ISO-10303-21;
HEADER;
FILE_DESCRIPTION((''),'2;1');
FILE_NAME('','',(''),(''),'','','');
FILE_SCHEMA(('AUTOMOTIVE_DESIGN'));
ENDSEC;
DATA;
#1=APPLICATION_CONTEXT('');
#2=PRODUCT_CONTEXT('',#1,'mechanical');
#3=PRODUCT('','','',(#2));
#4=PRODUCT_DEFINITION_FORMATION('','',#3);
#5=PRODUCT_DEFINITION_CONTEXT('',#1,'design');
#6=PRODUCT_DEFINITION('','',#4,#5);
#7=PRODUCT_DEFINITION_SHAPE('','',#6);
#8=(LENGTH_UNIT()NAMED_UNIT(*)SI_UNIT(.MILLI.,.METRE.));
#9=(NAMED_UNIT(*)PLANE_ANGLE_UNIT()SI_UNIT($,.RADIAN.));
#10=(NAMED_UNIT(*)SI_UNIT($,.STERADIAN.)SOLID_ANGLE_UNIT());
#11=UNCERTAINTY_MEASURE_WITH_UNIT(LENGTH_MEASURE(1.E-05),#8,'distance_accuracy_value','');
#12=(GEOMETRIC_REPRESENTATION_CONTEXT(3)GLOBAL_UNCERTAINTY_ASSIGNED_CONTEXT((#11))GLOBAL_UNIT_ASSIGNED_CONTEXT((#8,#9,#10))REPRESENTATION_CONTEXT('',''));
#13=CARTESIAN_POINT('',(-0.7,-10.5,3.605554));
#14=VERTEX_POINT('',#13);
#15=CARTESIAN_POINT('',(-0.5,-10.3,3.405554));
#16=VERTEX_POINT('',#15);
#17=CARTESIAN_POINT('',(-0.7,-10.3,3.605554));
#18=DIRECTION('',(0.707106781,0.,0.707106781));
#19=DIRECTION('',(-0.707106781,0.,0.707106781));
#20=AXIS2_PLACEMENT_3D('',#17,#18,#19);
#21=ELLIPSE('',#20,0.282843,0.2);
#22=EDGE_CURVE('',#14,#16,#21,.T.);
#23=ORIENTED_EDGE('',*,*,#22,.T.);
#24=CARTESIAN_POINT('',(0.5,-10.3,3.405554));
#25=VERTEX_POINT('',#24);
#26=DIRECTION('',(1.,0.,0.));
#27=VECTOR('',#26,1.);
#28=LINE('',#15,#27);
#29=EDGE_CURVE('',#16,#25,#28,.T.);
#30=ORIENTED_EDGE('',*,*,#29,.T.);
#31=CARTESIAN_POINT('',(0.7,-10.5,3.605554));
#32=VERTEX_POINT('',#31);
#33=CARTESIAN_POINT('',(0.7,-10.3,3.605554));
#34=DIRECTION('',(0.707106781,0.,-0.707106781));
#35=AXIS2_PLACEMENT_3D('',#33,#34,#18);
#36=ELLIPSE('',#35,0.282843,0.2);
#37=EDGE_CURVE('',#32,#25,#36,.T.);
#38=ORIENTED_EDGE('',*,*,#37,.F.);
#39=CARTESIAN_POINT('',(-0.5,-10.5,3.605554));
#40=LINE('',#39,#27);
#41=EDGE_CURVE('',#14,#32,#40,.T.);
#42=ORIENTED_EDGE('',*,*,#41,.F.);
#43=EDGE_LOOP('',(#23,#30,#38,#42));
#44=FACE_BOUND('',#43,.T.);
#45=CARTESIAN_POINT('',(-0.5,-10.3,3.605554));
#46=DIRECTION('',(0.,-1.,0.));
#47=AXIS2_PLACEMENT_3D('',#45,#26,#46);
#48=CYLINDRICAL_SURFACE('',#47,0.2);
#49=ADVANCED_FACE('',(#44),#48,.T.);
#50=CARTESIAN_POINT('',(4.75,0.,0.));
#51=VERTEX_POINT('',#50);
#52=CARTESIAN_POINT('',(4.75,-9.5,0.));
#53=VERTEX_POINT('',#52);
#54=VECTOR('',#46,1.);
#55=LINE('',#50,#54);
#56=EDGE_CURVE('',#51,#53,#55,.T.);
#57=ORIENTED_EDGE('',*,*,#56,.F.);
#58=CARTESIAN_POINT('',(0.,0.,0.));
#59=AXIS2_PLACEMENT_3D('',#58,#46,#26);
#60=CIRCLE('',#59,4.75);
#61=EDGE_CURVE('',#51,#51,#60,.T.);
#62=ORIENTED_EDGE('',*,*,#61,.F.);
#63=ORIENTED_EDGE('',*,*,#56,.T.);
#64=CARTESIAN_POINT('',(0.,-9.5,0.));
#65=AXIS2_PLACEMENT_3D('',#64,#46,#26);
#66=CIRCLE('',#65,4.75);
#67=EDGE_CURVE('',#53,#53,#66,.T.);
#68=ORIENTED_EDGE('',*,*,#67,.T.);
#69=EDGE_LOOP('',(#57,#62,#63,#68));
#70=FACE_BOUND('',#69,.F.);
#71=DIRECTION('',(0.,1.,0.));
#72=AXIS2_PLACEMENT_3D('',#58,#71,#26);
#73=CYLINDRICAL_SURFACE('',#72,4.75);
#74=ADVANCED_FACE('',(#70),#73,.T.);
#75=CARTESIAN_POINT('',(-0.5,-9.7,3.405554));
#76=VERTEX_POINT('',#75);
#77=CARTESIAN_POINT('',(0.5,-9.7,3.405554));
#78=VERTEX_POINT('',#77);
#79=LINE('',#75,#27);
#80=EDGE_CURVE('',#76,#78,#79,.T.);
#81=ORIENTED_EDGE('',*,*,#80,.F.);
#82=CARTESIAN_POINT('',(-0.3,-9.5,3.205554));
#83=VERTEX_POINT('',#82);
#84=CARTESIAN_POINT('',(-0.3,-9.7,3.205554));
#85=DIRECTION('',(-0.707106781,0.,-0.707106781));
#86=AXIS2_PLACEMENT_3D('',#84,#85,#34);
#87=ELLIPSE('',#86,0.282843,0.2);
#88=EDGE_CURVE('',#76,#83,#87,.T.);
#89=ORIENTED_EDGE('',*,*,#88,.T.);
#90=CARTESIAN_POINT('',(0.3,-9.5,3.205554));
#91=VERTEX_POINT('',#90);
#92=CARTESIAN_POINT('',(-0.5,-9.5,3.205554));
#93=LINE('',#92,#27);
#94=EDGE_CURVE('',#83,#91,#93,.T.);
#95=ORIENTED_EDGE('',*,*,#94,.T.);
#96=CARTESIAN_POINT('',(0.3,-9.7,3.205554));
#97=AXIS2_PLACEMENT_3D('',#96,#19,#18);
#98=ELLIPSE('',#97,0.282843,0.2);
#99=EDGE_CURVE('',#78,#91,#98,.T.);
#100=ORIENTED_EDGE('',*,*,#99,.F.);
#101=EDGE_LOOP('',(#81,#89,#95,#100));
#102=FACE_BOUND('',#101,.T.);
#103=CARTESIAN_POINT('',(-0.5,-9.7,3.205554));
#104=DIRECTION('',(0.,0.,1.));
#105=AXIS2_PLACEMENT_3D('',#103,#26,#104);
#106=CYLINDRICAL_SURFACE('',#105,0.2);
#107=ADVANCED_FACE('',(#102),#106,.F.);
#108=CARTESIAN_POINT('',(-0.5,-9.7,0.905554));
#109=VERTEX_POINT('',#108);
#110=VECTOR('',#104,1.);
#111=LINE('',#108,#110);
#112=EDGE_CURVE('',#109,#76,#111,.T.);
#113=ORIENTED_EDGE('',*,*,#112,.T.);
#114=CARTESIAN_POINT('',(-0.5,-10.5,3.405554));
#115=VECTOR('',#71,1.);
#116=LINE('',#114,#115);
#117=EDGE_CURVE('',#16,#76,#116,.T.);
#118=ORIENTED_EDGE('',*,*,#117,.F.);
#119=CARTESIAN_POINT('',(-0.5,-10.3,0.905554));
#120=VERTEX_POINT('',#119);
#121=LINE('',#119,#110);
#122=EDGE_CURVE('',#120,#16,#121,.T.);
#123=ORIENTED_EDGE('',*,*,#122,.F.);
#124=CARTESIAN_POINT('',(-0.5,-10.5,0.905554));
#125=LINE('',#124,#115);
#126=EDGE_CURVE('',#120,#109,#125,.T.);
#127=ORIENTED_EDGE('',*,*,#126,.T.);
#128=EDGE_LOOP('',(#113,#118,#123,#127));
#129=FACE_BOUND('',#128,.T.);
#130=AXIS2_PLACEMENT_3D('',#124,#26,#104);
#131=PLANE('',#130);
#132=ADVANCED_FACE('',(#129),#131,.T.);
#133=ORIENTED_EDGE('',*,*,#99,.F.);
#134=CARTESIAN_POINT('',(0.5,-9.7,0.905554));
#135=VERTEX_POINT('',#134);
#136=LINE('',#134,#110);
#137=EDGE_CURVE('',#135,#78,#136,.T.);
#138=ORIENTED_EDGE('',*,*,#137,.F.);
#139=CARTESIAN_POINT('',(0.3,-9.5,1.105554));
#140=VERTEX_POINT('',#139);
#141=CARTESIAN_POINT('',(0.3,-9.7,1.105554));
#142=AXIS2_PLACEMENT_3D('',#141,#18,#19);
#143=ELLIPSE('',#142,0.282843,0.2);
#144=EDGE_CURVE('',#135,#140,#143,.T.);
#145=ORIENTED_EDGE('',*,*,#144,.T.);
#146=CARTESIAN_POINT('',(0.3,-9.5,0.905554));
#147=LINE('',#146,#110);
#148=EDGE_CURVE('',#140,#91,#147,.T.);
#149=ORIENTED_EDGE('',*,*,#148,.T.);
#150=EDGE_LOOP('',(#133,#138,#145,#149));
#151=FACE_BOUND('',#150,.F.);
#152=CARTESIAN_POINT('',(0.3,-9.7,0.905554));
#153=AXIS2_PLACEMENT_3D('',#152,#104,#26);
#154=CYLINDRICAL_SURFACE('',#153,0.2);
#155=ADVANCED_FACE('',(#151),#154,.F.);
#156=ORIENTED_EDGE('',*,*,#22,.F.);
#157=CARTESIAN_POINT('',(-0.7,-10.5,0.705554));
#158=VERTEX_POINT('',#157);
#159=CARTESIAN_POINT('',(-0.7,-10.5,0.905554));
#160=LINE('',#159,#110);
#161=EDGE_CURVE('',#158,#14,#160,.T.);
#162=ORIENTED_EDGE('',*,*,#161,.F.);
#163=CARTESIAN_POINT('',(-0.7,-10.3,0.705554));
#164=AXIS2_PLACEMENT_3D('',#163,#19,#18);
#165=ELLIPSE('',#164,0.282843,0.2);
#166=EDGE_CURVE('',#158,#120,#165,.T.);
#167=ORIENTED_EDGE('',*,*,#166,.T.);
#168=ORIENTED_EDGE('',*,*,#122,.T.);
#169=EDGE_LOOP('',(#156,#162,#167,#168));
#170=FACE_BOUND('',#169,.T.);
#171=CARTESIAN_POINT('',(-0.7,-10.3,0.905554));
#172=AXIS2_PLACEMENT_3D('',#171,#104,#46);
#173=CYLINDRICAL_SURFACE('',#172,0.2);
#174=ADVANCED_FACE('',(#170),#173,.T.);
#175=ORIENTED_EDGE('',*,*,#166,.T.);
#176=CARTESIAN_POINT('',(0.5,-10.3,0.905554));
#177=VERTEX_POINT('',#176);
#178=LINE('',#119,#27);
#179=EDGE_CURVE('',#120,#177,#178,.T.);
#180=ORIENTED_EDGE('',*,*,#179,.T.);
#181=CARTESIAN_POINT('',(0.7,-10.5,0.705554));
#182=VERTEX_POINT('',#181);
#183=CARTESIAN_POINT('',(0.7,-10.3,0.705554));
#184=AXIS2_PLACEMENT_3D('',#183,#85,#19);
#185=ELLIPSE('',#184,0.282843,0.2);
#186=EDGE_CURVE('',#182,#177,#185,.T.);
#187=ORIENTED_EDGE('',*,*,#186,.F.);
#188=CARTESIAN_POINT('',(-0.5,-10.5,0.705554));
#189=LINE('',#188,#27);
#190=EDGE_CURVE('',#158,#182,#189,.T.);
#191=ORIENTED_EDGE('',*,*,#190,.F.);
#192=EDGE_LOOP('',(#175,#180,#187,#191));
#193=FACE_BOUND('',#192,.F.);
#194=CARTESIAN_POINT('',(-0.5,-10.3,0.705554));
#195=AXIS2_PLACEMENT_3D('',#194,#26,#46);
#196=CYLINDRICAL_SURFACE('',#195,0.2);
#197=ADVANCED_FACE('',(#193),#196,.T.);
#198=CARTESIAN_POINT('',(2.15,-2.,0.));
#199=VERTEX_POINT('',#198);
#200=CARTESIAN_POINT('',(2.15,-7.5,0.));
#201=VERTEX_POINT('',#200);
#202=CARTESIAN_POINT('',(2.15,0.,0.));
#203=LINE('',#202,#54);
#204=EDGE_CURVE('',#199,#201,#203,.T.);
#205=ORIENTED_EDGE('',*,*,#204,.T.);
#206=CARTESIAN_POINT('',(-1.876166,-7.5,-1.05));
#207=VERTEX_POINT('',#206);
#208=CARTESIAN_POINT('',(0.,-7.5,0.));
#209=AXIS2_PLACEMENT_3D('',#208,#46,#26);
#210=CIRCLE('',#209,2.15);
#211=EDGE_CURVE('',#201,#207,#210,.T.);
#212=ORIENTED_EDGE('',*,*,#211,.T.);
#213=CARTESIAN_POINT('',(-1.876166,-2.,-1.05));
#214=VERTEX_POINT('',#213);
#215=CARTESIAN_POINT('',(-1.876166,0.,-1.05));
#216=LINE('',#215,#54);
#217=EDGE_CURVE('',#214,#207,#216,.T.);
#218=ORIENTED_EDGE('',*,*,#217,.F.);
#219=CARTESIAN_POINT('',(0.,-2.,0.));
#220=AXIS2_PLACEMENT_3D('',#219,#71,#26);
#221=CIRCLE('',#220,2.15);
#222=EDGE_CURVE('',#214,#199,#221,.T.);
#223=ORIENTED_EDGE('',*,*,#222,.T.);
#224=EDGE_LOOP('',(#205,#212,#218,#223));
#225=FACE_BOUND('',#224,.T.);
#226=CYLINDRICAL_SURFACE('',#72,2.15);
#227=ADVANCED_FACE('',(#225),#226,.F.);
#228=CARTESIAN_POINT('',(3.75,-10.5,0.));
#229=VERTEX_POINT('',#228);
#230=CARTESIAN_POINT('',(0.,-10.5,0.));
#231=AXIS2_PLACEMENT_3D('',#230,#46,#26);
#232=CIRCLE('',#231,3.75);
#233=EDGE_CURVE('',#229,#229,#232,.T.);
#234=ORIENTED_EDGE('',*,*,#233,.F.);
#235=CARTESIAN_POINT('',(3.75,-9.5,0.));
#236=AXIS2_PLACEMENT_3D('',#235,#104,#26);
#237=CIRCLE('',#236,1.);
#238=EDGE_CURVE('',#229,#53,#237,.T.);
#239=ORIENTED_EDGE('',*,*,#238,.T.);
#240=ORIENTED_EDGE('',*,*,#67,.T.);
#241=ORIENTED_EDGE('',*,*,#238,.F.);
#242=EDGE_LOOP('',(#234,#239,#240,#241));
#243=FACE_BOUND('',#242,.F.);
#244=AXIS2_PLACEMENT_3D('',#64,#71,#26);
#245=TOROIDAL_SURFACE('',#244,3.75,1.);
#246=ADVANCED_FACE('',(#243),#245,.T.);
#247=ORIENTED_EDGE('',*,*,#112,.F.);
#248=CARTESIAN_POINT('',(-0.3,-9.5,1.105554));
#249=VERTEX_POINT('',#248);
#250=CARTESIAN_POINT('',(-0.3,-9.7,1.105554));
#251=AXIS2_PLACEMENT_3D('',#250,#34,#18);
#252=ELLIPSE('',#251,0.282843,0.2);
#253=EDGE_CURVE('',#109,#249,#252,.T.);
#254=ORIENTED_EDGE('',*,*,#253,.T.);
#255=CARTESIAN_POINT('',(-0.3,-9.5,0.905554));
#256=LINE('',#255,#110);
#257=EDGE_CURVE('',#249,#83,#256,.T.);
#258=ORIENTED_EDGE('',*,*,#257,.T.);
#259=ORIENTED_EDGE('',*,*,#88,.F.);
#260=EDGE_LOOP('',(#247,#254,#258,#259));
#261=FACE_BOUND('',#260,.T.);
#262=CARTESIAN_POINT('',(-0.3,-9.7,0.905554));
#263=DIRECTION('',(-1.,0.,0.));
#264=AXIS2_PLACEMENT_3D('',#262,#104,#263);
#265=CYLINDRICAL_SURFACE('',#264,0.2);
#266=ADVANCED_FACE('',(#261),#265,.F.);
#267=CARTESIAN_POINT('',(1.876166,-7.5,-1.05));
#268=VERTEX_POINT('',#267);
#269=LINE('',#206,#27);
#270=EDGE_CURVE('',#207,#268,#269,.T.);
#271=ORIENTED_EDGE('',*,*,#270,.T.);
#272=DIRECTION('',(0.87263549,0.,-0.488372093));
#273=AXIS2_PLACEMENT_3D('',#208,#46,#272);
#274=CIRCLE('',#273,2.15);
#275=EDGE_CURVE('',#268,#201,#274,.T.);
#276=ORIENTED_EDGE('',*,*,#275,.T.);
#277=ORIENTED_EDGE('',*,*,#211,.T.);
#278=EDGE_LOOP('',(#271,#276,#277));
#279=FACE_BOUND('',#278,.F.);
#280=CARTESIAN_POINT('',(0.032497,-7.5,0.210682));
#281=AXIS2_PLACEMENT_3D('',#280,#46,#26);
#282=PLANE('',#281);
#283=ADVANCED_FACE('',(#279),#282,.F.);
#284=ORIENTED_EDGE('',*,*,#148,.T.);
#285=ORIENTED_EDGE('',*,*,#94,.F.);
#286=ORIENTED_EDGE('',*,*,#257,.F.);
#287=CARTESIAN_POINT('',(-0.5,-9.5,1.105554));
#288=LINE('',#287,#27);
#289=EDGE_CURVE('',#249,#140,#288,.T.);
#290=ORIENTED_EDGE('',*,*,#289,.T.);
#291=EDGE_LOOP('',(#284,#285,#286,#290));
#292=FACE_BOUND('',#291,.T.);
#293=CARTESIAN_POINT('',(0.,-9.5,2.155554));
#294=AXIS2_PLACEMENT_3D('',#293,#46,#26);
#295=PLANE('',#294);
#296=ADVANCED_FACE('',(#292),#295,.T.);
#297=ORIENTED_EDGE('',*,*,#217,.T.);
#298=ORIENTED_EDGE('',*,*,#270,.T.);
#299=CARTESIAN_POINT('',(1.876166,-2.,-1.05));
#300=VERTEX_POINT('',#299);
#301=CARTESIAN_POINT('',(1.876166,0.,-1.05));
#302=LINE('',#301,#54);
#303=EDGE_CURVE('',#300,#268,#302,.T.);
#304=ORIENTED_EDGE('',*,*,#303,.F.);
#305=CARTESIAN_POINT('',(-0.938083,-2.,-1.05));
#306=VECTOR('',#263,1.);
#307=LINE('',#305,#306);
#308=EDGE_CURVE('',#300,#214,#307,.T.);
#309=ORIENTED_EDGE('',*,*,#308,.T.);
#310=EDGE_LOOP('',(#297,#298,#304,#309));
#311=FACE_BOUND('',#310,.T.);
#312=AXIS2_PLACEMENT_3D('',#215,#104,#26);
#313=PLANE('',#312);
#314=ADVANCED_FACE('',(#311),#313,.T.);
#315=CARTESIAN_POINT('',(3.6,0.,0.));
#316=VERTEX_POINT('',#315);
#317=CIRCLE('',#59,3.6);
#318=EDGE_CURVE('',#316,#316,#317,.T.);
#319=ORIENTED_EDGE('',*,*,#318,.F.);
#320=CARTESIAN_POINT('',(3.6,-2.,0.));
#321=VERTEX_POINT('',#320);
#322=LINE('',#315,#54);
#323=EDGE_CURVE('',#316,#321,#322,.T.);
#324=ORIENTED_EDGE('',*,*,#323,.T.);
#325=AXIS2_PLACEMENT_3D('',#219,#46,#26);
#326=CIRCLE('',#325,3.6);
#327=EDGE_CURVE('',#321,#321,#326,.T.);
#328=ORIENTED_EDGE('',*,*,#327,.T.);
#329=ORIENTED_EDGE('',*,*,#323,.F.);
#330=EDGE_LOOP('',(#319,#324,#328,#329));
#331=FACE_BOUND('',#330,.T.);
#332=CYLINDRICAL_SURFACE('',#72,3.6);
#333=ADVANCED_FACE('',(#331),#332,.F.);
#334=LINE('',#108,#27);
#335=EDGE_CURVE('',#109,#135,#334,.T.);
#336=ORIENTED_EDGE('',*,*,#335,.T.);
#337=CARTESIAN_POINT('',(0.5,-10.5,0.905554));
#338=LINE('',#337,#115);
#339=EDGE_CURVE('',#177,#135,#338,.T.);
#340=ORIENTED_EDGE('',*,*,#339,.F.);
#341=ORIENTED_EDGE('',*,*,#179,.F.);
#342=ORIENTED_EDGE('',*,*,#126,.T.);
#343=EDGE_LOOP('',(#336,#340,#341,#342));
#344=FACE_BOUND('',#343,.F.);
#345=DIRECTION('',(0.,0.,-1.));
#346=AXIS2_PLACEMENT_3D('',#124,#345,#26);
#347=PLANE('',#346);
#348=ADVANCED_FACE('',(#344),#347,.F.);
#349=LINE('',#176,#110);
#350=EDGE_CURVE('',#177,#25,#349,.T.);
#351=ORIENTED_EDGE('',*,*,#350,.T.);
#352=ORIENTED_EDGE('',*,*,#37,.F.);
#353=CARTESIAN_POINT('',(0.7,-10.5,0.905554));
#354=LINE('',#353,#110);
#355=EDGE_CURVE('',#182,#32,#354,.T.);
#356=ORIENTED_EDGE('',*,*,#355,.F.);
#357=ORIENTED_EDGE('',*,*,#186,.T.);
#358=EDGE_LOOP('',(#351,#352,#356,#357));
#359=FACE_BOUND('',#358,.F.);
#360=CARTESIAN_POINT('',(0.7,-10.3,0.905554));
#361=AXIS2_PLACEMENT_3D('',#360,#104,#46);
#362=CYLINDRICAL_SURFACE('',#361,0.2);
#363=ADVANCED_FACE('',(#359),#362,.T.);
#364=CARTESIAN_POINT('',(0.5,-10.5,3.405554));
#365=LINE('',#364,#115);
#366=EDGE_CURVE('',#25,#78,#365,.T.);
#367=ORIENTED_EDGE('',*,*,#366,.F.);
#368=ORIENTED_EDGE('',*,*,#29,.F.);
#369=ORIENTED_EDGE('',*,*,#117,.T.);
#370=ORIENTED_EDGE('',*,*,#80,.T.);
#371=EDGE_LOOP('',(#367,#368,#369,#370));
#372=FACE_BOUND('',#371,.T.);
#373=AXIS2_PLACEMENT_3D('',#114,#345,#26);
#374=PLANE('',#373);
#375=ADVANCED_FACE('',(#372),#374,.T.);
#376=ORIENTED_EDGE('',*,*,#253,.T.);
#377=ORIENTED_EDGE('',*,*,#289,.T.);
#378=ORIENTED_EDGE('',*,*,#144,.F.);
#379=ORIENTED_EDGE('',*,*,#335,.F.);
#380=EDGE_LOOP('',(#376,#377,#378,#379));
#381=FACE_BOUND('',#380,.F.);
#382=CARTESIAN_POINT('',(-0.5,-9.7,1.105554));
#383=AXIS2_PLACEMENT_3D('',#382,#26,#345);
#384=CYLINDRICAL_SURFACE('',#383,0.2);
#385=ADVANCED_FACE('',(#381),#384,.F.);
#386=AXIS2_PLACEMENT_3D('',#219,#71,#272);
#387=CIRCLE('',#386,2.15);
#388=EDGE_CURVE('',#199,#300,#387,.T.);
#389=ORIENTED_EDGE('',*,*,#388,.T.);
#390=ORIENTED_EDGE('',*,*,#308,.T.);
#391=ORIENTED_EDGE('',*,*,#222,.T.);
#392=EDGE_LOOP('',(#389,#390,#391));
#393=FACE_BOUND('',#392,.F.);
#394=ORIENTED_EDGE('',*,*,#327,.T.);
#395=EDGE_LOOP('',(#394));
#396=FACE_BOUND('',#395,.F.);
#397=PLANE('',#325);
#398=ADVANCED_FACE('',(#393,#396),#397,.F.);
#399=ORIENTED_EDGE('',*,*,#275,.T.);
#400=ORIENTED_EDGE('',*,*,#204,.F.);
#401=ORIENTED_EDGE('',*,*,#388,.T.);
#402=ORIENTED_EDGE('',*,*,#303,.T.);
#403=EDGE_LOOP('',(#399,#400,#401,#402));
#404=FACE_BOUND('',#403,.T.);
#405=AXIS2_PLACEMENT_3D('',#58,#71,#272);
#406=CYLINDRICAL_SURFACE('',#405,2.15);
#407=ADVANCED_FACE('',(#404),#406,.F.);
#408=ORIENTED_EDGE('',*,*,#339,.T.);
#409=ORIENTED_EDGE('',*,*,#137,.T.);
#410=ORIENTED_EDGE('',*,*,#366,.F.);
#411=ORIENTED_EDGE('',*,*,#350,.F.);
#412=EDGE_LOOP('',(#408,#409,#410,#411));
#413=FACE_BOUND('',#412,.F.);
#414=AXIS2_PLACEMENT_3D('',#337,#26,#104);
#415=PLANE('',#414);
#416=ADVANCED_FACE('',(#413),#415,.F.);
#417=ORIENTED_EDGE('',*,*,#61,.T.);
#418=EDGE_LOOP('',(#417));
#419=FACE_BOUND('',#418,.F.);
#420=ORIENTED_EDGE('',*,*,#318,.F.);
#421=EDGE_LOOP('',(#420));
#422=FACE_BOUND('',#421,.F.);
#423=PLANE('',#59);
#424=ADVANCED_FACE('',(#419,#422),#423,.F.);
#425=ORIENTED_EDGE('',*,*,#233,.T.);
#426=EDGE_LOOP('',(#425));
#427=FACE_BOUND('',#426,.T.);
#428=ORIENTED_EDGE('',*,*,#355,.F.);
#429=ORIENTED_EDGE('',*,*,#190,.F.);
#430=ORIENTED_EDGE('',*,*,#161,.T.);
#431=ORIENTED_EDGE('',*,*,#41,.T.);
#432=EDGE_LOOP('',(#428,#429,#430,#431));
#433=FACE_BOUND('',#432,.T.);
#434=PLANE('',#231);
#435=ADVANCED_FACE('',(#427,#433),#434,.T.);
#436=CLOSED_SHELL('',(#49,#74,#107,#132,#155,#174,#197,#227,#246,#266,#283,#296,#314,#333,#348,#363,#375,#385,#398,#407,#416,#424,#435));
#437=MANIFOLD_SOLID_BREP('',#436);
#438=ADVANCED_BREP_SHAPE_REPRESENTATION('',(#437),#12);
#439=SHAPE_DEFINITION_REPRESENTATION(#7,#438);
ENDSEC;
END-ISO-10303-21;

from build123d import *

# Parameters (mm, degrees)
F0_R     = 4.75
F0_R_2   = 3.6
F1_DEPTH = 10.5
F2_DEPTH = 2
F3_DEPTH = 7.5
F4_W     = 1
F4_H     = 2.5
F5_DEPTH = 1
F6_R     = 0.2
F7_R     = 1


with BuildPart() as f1:
    # F0 (on Front) → F1 (new body)
    with BuildSketch(Plane.XZ):
        Circle(F0_R)
        Circle(F0_R_2, mode=Mode.SUBTRACT)
        Circle(F0_R_2)
        with BuildLine():
            ThreePointArc((-1.8761663039, -1.05), (-0.5425598799, 2.0804155298), (2.15, 0))
            ThreePointArc((2.15, 0), (2.0804155298, -0.5425598799), (1.8761663039, -1.05))
            ThreePointArc((1.8761663039, -1.05), (0, -2.15), (-1.8761663039, -1.05))
        make_face(mode=Mode.SUBTRACT)
        with BuildLine():
            ThreePointArc((1.8761663039, -1.05), (2.0804155298, -0.5425598799), (2.15, 0))
            ThreePointArc((2.15, 0), (-0.5425598799, 2.0804155298), (-1.8761663039, -1.05))
            Line((-1.8761663039, -1.05), (1.8761663039, -1.05))
        make_face()
        with BuildLine():
            Line((1.8761663039, -1.05), (-1.8761663039, -1.05))
            ThreePointArc((-1.8761663039, -1.05), (0, -2.15), (1.8761663039, -1.05))
        make_face()
    extrude(amount=F1_DEPTH)

    # F0 (on Front) → F2 (cut)
    with BuildSketch(Plane.XZ):
        Circle(F0_R_2)
        with BuildLine():
            ThreePointArc((-1.8761663039, -1.05), (-0.5425598799, 2.0804155298), (2.15, 0))
            ThreePointArc((2.15, 0), (2.0804155298, -0.5425598799), (1.8761663039, -1.05))
            ThreePointArc((1.8761663039, -1.05), (0, -2.15), (-1.8761663039, -1.05))
        make_face(mode=Mode.SUBTRACT)
        with BuildLine():
            ThreePointArc((1.8761663039, -1.05), (2.0804155298, -0.5425598799), (2.15, 0))
            ThreePointArc((2.15, 0), (-0.5425598799, 2.0804155298), (-1.8761663039, -1.05))
            Line((-1.8761663039, -1.05), (1.8761663039, -1.05))
        make_face()
        with BuildLine():
            Line((1.8761663039, -1.05), (-1.8761663039, -1.05))
            ThreePointArc((-1.8761663039, -1.05), (0, -2.15), (1.8761663039, -1.05))
        make_face()
    extrude(amount=F2_DEPTH, mode=Mode.SUBTRACT)

    # F0 (on Front) → F3 (cut)
    with BuildSketch(Plane.XZ):
        with BuildLine():
            ThreePointArc((1.8761663039, -1.05), (2.0804155298, -0.5425598799), (2.15, 0))
            ThreePointArc((2.15, 0), (-0.5425598799, 2.0804155298), (-1.8761663039, -1.05))
            Line((-1.8761663039, -1.05), (1.8761663039, -1.05))
        make_face()
    extrude(amount=F3_DEPTH, mode=Mode.SUBTRACT)

    # F4 (on face) → F5 (cut)
    with BuildSketch(Plane.XZ.offset(10.5)):
        with Locations((0, 2.1555542984)):
            Rectangle(F4_W, F4_H)
    extrude(amount=-F5_DEPTH, mode=Mode.SUBTRACT)

    # F6
    f6_edges = [f1.edges().sort_by_distance(p)[0] for p in [
        (-0.5, -10.5, 2.155554),
        (0, -10.5, 3.405554),
        (0.5, -10.5, 2.155554),
        (0, -10.5, 0.905554),
        (0, -9.5, 3.405554),
        (0.5, -9.5, 2.155554),
        (-0.5, -9.5, 2.155554),
        (0, -9.5, 0.905554),
    ]]
    fillet(f6_edges, radius=F6_R)

    # F7
    f7_edges = [f1.edges().sort_by_distance(p)[0] for p in [
        (-4.75, -10.5, 0),
    ]]
    fillet(f7_edges, radius=F7_R)


solid = f1.part
